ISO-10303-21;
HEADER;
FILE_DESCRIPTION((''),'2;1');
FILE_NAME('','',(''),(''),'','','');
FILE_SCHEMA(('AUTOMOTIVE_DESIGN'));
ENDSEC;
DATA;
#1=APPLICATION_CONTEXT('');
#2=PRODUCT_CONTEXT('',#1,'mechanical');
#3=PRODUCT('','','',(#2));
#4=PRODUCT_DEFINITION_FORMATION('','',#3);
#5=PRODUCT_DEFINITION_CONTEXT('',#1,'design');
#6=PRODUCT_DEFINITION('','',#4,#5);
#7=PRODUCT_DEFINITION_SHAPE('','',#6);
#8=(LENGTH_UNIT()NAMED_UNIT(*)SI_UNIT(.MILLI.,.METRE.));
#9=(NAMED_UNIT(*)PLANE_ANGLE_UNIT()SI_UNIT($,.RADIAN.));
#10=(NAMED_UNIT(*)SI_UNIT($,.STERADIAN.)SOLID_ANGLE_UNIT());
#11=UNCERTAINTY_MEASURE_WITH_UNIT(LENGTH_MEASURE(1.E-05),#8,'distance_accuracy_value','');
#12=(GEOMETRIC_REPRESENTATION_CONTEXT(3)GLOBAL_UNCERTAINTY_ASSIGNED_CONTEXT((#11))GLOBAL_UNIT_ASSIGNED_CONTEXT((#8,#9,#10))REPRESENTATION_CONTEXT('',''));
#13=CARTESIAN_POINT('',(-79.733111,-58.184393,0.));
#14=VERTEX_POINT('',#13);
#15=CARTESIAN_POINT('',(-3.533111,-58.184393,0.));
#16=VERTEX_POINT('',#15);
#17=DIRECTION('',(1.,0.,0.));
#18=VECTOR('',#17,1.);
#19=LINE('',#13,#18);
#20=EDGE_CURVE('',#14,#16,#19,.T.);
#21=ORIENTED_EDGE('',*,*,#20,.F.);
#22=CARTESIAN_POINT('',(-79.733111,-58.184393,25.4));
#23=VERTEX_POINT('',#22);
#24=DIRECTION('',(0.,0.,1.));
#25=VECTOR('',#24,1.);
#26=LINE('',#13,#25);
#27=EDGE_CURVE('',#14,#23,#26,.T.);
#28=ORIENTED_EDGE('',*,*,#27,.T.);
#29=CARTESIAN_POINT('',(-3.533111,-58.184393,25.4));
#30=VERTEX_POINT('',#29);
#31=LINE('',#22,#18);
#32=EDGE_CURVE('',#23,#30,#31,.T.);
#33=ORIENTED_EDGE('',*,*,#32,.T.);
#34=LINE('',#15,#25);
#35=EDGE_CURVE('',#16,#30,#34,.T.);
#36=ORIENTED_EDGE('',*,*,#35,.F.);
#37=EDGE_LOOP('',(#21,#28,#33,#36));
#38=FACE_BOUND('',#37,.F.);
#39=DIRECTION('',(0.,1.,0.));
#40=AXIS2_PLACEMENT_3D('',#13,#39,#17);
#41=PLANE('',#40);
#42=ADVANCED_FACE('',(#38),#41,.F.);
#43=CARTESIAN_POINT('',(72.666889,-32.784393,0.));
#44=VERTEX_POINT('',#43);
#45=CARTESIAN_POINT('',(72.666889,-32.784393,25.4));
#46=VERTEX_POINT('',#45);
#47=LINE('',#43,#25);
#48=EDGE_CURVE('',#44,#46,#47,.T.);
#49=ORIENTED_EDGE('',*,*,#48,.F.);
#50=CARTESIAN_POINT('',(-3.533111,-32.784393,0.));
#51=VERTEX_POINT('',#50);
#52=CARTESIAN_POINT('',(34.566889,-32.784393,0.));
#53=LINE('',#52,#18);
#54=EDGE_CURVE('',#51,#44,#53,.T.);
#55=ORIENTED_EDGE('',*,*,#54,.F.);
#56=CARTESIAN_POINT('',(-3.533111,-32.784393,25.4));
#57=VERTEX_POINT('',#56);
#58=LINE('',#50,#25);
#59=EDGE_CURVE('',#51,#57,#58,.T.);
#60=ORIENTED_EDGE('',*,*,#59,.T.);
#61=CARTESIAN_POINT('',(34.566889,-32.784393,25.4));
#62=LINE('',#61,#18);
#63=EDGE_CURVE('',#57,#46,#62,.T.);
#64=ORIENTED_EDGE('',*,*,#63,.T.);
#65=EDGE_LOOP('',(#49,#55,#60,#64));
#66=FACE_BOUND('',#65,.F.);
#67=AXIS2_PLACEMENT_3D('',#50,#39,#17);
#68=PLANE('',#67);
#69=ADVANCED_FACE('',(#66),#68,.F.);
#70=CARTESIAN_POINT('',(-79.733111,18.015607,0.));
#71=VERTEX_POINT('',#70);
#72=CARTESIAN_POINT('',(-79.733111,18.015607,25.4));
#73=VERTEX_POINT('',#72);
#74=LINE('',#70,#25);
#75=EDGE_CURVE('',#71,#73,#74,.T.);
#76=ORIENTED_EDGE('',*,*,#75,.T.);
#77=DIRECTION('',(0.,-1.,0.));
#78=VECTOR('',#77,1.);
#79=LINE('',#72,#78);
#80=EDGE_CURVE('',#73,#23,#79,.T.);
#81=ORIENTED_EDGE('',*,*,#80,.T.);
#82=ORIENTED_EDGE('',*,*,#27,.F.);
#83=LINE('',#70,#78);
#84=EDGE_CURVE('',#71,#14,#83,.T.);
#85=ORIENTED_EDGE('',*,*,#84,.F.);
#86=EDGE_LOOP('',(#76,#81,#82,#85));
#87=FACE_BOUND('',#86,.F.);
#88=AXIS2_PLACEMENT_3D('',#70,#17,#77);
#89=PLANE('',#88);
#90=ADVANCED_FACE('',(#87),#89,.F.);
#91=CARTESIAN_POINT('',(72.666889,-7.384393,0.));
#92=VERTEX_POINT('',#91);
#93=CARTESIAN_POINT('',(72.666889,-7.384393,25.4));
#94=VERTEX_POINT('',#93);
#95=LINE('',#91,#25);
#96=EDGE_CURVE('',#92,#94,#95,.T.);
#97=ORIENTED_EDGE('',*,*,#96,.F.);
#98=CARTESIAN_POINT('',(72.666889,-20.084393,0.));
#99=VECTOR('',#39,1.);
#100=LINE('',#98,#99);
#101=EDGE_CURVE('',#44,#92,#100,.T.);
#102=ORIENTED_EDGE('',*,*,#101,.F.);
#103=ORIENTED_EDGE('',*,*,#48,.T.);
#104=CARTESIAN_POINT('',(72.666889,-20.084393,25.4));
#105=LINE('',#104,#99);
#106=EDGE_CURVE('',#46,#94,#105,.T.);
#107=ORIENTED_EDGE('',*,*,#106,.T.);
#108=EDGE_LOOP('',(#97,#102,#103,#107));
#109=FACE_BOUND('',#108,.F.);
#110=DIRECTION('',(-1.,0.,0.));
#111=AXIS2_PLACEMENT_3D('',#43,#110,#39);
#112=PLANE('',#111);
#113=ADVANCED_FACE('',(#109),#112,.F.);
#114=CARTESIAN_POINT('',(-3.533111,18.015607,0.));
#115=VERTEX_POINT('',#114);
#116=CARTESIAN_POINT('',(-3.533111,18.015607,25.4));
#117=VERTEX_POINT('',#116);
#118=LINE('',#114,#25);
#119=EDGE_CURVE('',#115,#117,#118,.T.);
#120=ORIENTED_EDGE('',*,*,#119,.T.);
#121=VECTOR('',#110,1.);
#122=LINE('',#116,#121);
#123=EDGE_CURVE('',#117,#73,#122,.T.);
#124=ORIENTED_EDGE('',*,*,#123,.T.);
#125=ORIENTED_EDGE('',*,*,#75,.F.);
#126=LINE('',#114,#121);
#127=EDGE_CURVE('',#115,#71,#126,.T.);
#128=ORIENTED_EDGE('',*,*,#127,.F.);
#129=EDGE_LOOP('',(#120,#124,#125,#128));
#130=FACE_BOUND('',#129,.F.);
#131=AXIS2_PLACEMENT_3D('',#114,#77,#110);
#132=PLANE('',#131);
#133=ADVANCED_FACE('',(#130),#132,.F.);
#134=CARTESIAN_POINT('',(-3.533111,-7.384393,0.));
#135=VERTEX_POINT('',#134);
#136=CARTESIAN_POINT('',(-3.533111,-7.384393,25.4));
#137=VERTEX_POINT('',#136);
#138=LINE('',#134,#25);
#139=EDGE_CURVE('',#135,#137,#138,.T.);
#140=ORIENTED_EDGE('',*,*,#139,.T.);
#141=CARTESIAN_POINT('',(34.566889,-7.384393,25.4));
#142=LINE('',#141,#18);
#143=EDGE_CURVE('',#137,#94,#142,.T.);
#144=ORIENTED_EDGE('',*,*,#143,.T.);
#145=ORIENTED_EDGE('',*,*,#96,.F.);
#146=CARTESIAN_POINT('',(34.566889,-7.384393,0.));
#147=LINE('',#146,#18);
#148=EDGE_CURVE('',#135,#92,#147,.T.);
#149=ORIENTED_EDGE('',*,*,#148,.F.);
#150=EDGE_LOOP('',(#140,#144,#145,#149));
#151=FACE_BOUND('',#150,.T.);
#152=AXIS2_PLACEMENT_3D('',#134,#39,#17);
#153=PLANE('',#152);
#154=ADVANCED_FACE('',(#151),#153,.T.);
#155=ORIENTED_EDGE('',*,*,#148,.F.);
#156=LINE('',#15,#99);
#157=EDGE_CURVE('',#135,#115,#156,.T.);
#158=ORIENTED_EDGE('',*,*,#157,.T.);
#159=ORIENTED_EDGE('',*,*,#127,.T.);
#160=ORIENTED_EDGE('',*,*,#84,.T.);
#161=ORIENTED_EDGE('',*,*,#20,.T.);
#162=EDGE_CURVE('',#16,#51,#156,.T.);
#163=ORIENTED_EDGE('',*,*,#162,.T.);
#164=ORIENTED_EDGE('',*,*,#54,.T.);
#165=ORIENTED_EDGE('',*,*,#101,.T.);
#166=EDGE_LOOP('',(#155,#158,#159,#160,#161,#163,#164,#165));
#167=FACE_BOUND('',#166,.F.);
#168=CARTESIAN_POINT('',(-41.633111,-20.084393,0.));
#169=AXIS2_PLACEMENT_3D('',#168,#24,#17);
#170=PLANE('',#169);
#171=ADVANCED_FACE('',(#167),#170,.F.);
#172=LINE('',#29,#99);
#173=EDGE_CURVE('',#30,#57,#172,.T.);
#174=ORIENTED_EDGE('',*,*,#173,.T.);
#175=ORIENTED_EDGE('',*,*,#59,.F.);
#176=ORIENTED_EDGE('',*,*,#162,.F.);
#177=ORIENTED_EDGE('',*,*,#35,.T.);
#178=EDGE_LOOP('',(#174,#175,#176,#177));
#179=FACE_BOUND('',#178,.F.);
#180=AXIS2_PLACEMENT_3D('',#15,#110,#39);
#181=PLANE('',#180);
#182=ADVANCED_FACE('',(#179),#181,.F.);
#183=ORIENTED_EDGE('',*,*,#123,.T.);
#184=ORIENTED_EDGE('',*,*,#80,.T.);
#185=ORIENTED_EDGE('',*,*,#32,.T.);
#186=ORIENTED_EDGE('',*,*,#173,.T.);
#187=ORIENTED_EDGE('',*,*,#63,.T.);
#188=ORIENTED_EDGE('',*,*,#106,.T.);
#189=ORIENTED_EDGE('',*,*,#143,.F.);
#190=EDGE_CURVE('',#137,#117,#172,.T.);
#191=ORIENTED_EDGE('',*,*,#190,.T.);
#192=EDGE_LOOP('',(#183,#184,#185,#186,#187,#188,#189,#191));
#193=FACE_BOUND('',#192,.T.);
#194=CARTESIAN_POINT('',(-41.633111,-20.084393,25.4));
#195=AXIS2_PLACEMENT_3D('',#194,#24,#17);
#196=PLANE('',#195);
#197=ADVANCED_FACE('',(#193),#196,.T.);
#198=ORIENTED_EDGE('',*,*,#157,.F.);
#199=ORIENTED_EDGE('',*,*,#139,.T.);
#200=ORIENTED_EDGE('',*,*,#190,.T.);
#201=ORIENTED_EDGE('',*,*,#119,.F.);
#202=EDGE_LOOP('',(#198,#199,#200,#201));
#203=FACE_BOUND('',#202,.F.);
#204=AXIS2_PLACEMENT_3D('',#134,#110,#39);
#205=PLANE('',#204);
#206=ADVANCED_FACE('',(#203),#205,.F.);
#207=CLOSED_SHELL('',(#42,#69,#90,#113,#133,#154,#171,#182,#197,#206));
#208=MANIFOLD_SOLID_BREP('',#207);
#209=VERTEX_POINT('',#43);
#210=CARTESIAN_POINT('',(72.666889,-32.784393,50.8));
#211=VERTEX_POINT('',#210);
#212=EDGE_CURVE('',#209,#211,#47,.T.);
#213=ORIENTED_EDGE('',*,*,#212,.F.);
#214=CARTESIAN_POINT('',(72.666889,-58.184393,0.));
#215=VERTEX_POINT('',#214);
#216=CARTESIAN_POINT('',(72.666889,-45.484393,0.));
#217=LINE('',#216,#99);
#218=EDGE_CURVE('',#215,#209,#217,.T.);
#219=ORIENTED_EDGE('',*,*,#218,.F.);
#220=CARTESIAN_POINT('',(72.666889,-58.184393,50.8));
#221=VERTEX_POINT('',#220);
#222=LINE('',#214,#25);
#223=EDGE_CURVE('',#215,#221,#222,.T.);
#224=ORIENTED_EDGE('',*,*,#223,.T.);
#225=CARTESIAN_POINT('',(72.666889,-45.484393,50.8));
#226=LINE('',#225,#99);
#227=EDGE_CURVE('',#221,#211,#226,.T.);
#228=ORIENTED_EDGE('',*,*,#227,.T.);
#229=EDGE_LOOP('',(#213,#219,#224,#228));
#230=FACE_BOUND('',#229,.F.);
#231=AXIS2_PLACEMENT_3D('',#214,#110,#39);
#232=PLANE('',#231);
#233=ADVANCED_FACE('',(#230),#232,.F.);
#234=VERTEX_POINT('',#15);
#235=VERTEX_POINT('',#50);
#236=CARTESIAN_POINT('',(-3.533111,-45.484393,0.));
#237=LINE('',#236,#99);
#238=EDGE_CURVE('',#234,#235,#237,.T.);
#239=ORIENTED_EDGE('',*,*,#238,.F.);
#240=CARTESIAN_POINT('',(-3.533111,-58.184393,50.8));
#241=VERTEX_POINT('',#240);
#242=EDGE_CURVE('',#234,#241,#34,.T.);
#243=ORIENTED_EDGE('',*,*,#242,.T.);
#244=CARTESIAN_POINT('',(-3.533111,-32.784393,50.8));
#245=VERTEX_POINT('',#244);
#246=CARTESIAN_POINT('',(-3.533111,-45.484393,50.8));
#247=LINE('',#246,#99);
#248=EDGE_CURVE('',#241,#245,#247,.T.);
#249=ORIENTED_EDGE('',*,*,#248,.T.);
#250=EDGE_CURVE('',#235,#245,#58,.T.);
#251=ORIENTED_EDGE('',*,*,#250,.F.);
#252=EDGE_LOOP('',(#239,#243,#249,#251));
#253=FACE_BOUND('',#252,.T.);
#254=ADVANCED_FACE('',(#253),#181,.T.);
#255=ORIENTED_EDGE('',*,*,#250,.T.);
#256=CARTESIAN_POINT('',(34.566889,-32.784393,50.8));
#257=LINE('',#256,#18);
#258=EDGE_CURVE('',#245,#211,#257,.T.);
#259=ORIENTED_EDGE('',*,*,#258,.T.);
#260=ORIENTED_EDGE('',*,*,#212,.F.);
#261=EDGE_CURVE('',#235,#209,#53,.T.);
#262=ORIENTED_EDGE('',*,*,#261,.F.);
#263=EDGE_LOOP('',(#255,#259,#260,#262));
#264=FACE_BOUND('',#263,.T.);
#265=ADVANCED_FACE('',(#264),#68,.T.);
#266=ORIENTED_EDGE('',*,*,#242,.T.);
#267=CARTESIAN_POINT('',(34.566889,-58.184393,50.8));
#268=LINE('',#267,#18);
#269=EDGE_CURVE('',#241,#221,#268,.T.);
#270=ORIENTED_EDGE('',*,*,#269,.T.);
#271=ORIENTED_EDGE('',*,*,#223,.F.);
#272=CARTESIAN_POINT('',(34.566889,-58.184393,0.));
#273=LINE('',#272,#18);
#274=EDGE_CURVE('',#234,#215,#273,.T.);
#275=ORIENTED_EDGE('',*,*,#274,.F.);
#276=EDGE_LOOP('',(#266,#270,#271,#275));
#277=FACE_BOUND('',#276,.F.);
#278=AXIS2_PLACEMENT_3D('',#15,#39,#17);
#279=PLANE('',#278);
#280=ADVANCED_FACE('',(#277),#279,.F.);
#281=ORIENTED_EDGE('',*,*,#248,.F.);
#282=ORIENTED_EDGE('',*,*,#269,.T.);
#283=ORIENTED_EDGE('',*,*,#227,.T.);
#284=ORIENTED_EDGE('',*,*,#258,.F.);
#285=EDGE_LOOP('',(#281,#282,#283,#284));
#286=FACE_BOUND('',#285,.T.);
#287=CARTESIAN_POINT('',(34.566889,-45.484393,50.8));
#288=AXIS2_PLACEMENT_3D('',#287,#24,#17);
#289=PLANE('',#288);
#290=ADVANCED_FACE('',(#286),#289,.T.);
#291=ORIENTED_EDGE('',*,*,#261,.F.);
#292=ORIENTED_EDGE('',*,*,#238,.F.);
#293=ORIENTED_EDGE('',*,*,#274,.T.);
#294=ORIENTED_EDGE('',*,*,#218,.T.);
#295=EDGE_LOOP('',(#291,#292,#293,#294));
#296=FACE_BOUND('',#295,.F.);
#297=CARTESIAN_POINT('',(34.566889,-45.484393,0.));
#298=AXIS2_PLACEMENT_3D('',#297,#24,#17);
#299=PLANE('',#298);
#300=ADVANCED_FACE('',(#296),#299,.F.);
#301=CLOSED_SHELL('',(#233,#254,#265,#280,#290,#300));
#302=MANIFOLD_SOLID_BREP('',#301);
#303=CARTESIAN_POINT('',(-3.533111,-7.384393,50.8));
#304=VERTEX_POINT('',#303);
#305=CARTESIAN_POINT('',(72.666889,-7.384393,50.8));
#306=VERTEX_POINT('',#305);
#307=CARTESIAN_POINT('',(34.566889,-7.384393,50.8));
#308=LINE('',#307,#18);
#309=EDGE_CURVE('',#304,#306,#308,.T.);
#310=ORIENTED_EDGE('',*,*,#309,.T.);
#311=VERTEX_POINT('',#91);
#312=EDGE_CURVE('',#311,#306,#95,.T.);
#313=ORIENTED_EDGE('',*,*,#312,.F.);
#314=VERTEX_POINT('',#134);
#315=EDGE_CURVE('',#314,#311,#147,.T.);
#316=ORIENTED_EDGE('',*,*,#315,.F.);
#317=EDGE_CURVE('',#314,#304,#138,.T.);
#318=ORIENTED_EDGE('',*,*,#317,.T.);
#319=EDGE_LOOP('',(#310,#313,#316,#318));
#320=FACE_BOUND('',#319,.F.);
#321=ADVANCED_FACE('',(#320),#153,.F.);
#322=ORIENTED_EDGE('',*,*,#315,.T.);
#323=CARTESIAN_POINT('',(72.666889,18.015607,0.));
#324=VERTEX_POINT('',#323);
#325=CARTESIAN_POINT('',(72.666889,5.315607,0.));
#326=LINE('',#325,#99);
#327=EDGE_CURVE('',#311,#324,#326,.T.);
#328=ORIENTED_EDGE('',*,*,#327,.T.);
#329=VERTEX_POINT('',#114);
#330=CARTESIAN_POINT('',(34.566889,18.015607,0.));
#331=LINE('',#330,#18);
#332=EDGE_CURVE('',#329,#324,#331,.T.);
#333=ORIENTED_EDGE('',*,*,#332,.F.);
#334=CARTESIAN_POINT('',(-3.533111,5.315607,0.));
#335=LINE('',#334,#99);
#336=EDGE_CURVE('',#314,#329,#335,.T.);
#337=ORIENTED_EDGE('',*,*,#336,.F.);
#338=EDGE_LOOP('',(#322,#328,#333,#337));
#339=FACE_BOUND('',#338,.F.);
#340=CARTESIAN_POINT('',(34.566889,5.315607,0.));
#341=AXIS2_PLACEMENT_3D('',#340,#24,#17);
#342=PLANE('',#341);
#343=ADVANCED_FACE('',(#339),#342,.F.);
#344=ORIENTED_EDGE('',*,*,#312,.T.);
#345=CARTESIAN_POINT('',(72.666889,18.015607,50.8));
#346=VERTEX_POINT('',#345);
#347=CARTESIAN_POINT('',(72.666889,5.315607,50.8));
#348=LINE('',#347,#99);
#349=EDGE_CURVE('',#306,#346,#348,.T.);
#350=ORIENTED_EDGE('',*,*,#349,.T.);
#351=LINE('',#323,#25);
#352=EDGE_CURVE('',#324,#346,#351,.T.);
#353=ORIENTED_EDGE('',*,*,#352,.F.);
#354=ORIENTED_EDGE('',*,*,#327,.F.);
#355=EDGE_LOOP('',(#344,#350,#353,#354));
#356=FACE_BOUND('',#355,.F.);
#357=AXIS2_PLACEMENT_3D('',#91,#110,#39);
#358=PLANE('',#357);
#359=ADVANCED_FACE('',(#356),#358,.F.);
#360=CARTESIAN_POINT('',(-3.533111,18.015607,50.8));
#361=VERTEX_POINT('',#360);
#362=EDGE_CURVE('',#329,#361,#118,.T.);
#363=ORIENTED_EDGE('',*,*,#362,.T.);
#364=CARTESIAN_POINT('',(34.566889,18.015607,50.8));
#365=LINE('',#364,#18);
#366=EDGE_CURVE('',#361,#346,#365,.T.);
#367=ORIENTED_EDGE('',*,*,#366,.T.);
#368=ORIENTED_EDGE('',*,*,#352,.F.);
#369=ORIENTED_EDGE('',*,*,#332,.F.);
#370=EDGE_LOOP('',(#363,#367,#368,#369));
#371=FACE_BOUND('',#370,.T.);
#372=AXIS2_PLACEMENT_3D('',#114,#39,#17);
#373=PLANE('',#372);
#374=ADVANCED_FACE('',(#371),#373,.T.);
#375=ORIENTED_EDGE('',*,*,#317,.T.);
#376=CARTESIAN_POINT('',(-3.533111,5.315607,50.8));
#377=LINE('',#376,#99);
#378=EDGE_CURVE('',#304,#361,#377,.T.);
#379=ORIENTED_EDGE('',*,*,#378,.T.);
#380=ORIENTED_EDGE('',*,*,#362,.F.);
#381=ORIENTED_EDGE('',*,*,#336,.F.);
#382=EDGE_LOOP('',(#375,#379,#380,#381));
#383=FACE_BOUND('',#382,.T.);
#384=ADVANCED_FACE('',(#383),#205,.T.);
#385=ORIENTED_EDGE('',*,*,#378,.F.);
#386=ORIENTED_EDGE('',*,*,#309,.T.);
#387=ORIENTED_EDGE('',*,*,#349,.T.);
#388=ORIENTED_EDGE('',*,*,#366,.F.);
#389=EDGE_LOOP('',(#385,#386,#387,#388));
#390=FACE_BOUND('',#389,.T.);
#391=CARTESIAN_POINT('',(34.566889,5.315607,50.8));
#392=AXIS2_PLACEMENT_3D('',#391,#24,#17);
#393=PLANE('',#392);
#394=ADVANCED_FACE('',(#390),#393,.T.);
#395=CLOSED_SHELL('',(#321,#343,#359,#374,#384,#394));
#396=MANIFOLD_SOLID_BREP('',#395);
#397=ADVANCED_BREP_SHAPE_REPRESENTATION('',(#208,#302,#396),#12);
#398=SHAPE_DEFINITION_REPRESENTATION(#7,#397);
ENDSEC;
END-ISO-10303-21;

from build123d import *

# Parameters (mm, degrees)
F0_W     = 76.2
F0_H     = 25.4
F1_DEPTH = 50.8
F2_DEPTH = 25.4


with BuildPart() as f1:
    # F0 (on Top) → F1 (new body)
    with BuildSketch(Plane.XY):
        with Locations((34.566889, 5.315607)):
            Rectangle(F0_W, F0_H)
        with Locations((34.566889, -45.484393)):
            Rectangle(F0_W, F0_H)
    extrude(amount=F1_DEPTH)


with BuildPart() as f2:
    # F0 (on Top) → F2 (new body)
    with BuildSketch(Plane.XY):
        Polygon((-3.533111, 18.015607), (-79.733111, 18.015607), (-79.733111, -58.184393), (-3.533111, -58.184393), (-3.533111, -32.784393), (-3.533111, -7.384393), align=None)
        with Locations((34.566889, -20.084393)):
            Rectangle(F0_W, F0_H)
    extrude(amount=F2_DEPTH)


solid = Compound([f1.part, f2.part])
